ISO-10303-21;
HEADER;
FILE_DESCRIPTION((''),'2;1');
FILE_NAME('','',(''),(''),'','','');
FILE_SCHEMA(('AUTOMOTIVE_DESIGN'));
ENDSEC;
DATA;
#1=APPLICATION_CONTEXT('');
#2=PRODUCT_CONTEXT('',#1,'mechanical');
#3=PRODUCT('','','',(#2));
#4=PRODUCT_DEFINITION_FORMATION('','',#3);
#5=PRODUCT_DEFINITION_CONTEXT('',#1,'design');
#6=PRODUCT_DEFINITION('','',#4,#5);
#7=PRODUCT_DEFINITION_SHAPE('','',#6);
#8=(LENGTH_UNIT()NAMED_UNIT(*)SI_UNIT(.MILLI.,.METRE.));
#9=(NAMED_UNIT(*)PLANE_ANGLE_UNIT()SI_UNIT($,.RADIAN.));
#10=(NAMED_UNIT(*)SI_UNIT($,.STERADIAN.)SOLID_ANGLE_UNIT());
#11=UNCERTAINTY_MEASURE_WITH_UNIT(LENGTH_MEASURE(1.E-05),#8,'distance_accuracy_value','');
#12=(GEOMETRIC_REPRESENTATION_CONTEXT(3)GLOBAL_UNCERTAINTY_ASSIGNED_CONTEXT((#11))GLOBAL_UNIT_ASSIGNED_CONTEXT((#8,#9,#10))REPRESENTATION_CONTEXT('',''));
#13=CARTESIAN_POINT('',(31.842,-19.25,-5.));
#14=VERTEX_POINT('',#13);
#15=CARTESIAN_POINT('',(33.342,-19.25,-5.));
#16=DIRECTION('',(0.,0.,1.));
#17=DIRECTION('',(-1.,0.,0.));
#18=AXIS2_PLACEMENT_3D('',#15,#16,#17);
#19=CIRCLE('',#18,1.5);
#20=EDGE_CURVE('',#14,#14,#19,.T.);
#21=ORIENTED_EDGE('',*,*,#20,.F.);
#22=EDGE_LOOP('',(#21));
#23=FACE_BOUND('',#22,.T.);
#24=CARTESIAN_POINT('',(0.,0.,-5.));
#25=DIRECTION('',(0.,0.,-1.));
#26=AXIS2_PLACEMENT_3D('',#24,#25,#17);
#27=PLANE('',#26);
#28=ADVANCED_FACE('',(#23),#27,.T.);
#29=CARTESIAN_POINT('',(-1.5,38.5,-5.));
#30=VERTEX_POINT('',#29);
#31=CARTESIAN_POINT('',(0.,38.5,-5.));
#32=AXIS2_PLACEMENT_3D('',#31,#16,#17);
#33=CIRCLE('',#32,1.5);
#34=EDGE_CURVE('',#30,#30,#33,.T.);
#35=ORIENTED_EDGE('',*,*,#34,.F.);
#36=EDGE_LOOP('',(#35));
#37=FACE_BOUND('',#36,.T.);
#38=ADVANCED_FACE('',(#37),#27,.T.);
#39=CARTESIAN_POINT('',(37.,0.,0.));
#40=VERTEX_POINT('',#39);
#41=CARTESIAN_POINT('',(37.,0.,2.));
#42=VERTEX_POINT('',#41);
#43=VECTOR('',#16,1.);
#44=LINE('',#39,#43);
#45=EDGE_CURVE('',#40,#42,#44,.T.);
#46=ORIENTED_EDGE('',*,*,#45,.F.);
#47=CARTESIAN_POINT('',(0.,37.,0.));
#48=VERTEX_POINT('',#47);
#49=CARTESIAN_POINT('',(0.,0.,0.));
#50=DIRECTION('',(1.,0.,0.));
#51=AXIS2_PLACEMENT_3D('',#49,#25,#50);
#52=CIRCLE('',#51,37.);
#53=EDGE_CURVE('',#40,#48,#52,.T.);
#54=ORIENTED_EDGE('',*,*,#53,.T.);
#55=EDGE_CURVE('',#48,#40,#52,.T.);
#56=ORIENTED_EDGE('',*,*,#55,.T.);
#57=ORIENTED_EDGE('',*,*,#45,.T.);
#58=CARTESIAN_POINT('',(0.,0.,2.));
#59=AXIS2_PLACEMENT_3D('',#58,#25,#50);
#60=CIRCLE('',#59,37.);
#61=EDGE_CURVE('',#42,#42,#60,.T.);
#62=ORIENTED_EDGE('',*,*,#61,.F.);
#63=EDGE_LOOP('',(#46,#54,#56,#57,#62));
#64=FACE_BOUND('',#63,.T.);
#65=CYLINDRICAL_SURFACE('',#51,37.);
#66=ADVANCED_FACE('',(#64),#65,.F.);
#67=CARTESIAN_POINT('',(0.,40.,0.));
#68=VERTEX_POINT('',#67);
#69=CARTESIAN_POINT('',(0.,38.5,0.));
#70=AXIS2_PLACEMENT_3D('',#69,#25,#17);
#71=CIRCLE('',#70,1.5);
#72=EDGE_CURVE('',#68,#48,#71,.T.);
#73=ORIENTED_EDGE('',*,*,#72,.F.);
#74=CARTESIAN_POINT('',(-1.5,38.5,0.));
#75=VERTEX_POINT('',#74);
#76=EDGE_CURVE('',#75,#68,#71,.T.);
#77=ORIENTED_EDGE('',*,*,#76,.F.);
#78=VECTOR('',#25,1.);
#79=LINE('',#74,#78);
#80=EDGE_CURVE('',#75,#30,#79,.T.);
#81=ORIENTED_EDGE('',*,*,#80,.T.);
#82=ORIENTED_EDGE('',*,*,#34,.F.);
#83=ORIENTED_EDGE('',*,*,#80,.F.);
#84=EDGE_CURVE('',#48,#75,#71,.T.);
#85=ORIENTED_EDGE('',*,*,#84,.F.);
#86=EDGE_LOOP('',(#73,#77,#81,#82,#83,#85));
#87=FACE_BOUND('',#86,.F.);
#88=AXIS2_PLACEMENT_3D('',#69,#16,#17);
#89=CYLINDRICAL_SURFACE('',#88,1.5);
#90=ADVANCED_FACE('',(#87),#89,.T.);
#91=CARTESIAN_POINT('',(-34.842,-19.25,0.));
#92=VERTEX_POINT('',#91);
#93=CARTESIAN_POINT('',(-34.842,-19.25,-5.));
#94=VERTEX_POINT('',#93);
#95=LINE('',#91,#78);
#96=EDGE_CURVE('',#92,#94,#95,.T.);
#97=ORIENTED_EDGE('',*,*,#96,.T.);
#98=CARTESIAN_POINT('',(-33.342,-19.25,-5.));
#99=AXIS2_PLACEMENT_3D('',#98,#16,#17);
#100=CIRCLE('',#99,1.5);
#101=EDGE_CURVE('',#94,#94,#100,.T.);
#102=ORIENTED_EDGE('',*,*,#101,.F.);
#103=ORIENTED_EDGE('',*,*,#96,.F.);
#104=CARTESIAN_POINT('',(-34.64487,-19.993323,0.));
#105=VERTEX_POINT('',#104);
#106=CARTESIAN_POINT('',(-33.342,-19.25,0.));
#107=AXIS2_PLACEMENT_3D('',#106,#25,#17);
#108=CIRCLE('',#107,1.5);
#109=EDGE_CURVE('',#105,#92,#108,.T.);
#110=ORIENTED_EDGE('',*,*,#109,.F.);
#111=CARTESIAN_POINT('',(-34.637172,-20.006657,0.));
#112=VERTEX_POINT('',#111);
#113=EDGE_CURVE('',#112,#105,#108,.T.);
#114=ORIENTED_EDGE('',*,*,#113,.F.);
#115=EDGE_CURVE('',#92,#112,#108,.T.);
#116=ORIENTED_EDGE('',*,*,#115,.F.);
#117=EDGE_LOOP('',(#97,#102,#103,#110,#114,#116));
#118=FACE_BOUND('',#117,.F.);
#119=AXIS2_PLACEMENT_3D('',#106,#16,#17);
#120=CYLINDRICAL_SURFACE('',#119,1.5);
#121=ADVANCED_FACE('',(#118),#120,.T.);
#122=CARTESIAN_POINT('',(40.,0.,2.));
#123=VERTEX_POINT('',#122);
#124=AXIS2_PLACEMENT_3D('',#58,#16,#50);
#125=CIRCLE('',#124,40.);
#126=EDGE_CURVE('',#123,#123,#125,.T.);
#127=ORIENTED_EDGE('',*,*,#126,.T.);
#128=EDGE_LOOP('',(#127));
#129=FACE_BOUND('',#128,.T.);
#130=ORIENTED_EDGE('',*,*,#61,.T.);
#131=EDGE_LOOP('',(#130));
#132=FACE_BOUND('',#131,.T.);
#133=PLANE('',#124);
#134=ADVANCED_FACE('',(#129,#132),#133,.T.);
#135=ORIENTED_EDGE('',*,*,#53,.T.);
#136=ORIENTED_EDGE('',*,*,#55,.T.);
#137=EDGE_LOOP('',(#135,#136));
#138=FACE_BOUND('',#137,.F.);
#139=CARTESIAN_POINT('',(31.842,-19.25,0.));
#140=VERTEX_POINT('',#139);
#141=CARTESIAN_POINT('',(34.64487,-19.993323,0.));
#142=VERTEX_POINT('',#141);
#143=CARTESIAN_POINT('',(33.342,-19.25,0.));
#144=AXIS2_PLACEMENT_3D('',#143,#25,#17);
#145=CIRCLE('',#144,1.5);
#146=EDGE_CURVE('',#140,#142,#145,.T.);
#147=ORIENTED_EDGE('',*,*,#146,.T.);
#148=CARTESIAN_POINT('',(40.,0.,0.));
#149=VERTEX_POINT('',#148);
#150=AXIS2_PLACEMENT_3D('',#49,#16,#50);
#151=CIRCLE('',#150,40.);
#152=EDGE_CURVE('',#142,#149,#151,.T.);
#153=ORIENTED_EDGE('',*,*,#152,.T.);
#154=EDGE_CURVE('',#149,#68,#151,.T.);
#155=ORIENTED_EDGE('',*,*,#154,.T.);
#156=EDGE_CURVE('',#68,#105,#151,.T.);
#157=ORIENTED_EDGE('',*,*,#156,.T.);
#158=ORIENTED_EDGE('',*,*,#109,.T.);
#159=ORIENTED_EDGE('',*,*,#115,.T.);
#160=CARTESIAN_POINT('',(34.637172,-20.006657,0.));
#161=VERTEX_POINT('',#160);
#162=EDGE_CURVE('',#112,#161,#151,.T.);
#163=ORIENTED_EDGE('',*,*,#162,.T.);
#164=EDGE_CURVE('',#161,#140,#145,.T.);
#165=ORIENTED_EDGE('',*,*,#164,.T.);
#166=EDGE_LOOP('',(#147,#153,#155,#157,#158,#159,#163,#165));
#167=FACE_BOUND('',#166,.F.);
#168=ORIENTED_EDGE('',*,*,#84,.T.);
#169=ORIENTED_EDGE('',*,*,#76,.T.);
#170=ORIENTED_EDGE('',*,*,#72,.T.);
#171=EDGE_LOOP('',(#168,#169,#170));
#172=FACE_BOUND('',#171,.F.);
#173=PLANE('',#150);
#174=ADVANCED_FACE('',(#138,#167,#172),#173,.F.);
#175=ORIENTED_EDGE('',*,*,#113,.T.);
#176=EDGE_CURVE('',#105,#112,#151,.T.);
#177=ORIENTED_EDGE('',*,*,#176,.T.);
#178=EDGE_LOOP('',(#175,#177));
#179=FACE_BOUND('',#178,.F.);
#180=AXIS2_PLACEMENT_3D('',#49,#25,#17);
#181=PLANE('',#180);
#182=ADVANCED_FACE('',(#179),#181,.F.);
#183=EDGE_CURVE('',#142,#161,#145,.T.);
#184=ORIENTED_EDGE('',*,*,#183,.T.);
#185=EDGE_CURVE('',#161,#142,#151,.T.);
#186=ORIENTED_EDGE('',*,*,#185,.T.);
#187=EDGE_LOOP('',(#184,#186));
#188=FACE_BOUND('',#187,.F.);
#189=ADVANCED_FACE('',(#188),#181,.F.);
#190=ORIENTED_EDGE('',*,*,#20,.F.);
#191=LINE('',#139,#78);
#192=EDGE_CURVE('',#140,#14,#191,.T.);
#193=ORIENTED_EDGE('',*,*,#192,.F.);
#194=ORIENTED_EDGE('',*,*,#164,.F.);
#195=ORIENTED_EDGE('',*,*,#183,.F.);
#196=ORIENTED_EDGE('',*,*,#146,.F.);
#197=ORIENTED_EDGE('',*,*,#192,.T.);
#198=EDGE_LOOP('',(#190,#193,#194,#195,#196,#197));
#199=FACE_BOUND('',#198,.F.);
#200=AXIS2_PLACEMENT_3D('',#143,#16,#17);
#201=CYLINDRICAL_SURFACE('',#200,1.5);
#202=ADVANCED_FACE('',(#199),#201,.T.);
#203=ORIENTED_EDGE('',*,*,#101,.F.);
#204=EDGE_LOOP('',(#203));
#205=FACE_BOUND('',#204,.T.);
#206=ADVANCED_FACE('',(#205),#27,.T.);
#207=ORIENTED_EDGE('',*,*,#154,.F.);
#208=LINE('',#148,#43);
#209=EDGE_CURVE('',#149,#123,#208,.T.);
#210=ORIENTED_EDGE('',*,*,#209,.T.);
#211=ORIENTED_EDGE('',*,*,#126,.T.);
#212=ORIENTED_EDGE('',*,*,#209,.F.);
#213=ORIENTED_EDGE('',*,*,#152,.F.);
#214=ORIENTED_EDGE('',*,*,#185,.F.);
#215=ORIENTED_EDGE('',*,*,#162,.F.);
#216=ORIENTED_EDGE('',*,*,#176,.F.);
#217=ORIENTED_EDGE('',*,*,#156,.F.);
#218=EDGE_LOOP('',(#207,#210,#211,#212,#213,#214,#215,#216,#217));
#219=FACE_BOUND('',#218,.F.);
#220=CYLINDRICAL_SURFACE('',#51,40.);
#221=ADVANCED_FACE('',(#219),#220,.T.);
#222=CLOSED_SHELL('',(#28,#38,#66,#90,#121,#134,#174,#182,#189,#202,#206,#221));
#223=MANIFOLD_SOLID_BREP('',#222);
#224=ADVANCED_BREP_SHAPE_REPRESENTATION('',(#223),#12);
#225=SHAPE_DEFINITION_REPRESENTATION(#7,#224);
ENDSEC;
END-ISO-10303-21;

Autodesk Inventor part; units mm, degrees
ref_plane "YZ Plane" through (0, 0, 0) normal (1, 0, 0) x (0, 1, 0)
ref_plane "XZ Plane" through (0, 0, 0) normal (0, 1, 0) x (-1, 0, 0)
ref_plane "XY Plane" through (0, 0, 0) normal (0, 0, 1) x (1, 0, 0)
sketch "Boceto1" plane through (0, 0, 0) normal (0, 0, 1) x (1, 0, 0)
  line L0 (0, 45.257) -> (0, -55.794) construction
  line L1 (-63.6876, 0) -> (64.1807, 0) construction
  circle A0 centre (0, 0) radius 40
  dimension "d0" = 80
extrude "Extrusión1" add sketch "Boceto1" along normal blind 2
sketch "Boceto2" plane through (0, 0, 0) normal (0, 0, -1) x (-1, 0, 0)
  point P0 (0, 0)
shell "Vaciado1" thickness 3 removed faces 2 at (-12.1058, -2.3153, 0) at (-12.1058, -2.3153, 2)
sketch "Boceto3" plane through (0, 0, 0) normal (0, 0, -1) x (-1, 0, 0)
  circle A0 centre (0, 38.5) radius 1.5
  circle A1 centre (0, 0) radius 37 projected
  line L0 (0, 44.6838) -> (0, -50.1567) construction
  line L1 (-57.4569, 0) -> (76.4251, 0) construction
  circle A2 centre (-33.342, -19.25) radius 1.5
  circle A3 centre (33.342, -19.25) radius 1.5
  dimension "d4" = 3
  dimension "d7" = 360
extrude "Extrusión2" add sketch "Boceto3" along normal blind 5 contours A0 | A3 | A2
sketch "Boceto4" plane through (0, 0, 0) normal (0, 0, -1) x (-1, 0, 0)
  point P0 (0, 0)
properties part number "Anillo medidor"
